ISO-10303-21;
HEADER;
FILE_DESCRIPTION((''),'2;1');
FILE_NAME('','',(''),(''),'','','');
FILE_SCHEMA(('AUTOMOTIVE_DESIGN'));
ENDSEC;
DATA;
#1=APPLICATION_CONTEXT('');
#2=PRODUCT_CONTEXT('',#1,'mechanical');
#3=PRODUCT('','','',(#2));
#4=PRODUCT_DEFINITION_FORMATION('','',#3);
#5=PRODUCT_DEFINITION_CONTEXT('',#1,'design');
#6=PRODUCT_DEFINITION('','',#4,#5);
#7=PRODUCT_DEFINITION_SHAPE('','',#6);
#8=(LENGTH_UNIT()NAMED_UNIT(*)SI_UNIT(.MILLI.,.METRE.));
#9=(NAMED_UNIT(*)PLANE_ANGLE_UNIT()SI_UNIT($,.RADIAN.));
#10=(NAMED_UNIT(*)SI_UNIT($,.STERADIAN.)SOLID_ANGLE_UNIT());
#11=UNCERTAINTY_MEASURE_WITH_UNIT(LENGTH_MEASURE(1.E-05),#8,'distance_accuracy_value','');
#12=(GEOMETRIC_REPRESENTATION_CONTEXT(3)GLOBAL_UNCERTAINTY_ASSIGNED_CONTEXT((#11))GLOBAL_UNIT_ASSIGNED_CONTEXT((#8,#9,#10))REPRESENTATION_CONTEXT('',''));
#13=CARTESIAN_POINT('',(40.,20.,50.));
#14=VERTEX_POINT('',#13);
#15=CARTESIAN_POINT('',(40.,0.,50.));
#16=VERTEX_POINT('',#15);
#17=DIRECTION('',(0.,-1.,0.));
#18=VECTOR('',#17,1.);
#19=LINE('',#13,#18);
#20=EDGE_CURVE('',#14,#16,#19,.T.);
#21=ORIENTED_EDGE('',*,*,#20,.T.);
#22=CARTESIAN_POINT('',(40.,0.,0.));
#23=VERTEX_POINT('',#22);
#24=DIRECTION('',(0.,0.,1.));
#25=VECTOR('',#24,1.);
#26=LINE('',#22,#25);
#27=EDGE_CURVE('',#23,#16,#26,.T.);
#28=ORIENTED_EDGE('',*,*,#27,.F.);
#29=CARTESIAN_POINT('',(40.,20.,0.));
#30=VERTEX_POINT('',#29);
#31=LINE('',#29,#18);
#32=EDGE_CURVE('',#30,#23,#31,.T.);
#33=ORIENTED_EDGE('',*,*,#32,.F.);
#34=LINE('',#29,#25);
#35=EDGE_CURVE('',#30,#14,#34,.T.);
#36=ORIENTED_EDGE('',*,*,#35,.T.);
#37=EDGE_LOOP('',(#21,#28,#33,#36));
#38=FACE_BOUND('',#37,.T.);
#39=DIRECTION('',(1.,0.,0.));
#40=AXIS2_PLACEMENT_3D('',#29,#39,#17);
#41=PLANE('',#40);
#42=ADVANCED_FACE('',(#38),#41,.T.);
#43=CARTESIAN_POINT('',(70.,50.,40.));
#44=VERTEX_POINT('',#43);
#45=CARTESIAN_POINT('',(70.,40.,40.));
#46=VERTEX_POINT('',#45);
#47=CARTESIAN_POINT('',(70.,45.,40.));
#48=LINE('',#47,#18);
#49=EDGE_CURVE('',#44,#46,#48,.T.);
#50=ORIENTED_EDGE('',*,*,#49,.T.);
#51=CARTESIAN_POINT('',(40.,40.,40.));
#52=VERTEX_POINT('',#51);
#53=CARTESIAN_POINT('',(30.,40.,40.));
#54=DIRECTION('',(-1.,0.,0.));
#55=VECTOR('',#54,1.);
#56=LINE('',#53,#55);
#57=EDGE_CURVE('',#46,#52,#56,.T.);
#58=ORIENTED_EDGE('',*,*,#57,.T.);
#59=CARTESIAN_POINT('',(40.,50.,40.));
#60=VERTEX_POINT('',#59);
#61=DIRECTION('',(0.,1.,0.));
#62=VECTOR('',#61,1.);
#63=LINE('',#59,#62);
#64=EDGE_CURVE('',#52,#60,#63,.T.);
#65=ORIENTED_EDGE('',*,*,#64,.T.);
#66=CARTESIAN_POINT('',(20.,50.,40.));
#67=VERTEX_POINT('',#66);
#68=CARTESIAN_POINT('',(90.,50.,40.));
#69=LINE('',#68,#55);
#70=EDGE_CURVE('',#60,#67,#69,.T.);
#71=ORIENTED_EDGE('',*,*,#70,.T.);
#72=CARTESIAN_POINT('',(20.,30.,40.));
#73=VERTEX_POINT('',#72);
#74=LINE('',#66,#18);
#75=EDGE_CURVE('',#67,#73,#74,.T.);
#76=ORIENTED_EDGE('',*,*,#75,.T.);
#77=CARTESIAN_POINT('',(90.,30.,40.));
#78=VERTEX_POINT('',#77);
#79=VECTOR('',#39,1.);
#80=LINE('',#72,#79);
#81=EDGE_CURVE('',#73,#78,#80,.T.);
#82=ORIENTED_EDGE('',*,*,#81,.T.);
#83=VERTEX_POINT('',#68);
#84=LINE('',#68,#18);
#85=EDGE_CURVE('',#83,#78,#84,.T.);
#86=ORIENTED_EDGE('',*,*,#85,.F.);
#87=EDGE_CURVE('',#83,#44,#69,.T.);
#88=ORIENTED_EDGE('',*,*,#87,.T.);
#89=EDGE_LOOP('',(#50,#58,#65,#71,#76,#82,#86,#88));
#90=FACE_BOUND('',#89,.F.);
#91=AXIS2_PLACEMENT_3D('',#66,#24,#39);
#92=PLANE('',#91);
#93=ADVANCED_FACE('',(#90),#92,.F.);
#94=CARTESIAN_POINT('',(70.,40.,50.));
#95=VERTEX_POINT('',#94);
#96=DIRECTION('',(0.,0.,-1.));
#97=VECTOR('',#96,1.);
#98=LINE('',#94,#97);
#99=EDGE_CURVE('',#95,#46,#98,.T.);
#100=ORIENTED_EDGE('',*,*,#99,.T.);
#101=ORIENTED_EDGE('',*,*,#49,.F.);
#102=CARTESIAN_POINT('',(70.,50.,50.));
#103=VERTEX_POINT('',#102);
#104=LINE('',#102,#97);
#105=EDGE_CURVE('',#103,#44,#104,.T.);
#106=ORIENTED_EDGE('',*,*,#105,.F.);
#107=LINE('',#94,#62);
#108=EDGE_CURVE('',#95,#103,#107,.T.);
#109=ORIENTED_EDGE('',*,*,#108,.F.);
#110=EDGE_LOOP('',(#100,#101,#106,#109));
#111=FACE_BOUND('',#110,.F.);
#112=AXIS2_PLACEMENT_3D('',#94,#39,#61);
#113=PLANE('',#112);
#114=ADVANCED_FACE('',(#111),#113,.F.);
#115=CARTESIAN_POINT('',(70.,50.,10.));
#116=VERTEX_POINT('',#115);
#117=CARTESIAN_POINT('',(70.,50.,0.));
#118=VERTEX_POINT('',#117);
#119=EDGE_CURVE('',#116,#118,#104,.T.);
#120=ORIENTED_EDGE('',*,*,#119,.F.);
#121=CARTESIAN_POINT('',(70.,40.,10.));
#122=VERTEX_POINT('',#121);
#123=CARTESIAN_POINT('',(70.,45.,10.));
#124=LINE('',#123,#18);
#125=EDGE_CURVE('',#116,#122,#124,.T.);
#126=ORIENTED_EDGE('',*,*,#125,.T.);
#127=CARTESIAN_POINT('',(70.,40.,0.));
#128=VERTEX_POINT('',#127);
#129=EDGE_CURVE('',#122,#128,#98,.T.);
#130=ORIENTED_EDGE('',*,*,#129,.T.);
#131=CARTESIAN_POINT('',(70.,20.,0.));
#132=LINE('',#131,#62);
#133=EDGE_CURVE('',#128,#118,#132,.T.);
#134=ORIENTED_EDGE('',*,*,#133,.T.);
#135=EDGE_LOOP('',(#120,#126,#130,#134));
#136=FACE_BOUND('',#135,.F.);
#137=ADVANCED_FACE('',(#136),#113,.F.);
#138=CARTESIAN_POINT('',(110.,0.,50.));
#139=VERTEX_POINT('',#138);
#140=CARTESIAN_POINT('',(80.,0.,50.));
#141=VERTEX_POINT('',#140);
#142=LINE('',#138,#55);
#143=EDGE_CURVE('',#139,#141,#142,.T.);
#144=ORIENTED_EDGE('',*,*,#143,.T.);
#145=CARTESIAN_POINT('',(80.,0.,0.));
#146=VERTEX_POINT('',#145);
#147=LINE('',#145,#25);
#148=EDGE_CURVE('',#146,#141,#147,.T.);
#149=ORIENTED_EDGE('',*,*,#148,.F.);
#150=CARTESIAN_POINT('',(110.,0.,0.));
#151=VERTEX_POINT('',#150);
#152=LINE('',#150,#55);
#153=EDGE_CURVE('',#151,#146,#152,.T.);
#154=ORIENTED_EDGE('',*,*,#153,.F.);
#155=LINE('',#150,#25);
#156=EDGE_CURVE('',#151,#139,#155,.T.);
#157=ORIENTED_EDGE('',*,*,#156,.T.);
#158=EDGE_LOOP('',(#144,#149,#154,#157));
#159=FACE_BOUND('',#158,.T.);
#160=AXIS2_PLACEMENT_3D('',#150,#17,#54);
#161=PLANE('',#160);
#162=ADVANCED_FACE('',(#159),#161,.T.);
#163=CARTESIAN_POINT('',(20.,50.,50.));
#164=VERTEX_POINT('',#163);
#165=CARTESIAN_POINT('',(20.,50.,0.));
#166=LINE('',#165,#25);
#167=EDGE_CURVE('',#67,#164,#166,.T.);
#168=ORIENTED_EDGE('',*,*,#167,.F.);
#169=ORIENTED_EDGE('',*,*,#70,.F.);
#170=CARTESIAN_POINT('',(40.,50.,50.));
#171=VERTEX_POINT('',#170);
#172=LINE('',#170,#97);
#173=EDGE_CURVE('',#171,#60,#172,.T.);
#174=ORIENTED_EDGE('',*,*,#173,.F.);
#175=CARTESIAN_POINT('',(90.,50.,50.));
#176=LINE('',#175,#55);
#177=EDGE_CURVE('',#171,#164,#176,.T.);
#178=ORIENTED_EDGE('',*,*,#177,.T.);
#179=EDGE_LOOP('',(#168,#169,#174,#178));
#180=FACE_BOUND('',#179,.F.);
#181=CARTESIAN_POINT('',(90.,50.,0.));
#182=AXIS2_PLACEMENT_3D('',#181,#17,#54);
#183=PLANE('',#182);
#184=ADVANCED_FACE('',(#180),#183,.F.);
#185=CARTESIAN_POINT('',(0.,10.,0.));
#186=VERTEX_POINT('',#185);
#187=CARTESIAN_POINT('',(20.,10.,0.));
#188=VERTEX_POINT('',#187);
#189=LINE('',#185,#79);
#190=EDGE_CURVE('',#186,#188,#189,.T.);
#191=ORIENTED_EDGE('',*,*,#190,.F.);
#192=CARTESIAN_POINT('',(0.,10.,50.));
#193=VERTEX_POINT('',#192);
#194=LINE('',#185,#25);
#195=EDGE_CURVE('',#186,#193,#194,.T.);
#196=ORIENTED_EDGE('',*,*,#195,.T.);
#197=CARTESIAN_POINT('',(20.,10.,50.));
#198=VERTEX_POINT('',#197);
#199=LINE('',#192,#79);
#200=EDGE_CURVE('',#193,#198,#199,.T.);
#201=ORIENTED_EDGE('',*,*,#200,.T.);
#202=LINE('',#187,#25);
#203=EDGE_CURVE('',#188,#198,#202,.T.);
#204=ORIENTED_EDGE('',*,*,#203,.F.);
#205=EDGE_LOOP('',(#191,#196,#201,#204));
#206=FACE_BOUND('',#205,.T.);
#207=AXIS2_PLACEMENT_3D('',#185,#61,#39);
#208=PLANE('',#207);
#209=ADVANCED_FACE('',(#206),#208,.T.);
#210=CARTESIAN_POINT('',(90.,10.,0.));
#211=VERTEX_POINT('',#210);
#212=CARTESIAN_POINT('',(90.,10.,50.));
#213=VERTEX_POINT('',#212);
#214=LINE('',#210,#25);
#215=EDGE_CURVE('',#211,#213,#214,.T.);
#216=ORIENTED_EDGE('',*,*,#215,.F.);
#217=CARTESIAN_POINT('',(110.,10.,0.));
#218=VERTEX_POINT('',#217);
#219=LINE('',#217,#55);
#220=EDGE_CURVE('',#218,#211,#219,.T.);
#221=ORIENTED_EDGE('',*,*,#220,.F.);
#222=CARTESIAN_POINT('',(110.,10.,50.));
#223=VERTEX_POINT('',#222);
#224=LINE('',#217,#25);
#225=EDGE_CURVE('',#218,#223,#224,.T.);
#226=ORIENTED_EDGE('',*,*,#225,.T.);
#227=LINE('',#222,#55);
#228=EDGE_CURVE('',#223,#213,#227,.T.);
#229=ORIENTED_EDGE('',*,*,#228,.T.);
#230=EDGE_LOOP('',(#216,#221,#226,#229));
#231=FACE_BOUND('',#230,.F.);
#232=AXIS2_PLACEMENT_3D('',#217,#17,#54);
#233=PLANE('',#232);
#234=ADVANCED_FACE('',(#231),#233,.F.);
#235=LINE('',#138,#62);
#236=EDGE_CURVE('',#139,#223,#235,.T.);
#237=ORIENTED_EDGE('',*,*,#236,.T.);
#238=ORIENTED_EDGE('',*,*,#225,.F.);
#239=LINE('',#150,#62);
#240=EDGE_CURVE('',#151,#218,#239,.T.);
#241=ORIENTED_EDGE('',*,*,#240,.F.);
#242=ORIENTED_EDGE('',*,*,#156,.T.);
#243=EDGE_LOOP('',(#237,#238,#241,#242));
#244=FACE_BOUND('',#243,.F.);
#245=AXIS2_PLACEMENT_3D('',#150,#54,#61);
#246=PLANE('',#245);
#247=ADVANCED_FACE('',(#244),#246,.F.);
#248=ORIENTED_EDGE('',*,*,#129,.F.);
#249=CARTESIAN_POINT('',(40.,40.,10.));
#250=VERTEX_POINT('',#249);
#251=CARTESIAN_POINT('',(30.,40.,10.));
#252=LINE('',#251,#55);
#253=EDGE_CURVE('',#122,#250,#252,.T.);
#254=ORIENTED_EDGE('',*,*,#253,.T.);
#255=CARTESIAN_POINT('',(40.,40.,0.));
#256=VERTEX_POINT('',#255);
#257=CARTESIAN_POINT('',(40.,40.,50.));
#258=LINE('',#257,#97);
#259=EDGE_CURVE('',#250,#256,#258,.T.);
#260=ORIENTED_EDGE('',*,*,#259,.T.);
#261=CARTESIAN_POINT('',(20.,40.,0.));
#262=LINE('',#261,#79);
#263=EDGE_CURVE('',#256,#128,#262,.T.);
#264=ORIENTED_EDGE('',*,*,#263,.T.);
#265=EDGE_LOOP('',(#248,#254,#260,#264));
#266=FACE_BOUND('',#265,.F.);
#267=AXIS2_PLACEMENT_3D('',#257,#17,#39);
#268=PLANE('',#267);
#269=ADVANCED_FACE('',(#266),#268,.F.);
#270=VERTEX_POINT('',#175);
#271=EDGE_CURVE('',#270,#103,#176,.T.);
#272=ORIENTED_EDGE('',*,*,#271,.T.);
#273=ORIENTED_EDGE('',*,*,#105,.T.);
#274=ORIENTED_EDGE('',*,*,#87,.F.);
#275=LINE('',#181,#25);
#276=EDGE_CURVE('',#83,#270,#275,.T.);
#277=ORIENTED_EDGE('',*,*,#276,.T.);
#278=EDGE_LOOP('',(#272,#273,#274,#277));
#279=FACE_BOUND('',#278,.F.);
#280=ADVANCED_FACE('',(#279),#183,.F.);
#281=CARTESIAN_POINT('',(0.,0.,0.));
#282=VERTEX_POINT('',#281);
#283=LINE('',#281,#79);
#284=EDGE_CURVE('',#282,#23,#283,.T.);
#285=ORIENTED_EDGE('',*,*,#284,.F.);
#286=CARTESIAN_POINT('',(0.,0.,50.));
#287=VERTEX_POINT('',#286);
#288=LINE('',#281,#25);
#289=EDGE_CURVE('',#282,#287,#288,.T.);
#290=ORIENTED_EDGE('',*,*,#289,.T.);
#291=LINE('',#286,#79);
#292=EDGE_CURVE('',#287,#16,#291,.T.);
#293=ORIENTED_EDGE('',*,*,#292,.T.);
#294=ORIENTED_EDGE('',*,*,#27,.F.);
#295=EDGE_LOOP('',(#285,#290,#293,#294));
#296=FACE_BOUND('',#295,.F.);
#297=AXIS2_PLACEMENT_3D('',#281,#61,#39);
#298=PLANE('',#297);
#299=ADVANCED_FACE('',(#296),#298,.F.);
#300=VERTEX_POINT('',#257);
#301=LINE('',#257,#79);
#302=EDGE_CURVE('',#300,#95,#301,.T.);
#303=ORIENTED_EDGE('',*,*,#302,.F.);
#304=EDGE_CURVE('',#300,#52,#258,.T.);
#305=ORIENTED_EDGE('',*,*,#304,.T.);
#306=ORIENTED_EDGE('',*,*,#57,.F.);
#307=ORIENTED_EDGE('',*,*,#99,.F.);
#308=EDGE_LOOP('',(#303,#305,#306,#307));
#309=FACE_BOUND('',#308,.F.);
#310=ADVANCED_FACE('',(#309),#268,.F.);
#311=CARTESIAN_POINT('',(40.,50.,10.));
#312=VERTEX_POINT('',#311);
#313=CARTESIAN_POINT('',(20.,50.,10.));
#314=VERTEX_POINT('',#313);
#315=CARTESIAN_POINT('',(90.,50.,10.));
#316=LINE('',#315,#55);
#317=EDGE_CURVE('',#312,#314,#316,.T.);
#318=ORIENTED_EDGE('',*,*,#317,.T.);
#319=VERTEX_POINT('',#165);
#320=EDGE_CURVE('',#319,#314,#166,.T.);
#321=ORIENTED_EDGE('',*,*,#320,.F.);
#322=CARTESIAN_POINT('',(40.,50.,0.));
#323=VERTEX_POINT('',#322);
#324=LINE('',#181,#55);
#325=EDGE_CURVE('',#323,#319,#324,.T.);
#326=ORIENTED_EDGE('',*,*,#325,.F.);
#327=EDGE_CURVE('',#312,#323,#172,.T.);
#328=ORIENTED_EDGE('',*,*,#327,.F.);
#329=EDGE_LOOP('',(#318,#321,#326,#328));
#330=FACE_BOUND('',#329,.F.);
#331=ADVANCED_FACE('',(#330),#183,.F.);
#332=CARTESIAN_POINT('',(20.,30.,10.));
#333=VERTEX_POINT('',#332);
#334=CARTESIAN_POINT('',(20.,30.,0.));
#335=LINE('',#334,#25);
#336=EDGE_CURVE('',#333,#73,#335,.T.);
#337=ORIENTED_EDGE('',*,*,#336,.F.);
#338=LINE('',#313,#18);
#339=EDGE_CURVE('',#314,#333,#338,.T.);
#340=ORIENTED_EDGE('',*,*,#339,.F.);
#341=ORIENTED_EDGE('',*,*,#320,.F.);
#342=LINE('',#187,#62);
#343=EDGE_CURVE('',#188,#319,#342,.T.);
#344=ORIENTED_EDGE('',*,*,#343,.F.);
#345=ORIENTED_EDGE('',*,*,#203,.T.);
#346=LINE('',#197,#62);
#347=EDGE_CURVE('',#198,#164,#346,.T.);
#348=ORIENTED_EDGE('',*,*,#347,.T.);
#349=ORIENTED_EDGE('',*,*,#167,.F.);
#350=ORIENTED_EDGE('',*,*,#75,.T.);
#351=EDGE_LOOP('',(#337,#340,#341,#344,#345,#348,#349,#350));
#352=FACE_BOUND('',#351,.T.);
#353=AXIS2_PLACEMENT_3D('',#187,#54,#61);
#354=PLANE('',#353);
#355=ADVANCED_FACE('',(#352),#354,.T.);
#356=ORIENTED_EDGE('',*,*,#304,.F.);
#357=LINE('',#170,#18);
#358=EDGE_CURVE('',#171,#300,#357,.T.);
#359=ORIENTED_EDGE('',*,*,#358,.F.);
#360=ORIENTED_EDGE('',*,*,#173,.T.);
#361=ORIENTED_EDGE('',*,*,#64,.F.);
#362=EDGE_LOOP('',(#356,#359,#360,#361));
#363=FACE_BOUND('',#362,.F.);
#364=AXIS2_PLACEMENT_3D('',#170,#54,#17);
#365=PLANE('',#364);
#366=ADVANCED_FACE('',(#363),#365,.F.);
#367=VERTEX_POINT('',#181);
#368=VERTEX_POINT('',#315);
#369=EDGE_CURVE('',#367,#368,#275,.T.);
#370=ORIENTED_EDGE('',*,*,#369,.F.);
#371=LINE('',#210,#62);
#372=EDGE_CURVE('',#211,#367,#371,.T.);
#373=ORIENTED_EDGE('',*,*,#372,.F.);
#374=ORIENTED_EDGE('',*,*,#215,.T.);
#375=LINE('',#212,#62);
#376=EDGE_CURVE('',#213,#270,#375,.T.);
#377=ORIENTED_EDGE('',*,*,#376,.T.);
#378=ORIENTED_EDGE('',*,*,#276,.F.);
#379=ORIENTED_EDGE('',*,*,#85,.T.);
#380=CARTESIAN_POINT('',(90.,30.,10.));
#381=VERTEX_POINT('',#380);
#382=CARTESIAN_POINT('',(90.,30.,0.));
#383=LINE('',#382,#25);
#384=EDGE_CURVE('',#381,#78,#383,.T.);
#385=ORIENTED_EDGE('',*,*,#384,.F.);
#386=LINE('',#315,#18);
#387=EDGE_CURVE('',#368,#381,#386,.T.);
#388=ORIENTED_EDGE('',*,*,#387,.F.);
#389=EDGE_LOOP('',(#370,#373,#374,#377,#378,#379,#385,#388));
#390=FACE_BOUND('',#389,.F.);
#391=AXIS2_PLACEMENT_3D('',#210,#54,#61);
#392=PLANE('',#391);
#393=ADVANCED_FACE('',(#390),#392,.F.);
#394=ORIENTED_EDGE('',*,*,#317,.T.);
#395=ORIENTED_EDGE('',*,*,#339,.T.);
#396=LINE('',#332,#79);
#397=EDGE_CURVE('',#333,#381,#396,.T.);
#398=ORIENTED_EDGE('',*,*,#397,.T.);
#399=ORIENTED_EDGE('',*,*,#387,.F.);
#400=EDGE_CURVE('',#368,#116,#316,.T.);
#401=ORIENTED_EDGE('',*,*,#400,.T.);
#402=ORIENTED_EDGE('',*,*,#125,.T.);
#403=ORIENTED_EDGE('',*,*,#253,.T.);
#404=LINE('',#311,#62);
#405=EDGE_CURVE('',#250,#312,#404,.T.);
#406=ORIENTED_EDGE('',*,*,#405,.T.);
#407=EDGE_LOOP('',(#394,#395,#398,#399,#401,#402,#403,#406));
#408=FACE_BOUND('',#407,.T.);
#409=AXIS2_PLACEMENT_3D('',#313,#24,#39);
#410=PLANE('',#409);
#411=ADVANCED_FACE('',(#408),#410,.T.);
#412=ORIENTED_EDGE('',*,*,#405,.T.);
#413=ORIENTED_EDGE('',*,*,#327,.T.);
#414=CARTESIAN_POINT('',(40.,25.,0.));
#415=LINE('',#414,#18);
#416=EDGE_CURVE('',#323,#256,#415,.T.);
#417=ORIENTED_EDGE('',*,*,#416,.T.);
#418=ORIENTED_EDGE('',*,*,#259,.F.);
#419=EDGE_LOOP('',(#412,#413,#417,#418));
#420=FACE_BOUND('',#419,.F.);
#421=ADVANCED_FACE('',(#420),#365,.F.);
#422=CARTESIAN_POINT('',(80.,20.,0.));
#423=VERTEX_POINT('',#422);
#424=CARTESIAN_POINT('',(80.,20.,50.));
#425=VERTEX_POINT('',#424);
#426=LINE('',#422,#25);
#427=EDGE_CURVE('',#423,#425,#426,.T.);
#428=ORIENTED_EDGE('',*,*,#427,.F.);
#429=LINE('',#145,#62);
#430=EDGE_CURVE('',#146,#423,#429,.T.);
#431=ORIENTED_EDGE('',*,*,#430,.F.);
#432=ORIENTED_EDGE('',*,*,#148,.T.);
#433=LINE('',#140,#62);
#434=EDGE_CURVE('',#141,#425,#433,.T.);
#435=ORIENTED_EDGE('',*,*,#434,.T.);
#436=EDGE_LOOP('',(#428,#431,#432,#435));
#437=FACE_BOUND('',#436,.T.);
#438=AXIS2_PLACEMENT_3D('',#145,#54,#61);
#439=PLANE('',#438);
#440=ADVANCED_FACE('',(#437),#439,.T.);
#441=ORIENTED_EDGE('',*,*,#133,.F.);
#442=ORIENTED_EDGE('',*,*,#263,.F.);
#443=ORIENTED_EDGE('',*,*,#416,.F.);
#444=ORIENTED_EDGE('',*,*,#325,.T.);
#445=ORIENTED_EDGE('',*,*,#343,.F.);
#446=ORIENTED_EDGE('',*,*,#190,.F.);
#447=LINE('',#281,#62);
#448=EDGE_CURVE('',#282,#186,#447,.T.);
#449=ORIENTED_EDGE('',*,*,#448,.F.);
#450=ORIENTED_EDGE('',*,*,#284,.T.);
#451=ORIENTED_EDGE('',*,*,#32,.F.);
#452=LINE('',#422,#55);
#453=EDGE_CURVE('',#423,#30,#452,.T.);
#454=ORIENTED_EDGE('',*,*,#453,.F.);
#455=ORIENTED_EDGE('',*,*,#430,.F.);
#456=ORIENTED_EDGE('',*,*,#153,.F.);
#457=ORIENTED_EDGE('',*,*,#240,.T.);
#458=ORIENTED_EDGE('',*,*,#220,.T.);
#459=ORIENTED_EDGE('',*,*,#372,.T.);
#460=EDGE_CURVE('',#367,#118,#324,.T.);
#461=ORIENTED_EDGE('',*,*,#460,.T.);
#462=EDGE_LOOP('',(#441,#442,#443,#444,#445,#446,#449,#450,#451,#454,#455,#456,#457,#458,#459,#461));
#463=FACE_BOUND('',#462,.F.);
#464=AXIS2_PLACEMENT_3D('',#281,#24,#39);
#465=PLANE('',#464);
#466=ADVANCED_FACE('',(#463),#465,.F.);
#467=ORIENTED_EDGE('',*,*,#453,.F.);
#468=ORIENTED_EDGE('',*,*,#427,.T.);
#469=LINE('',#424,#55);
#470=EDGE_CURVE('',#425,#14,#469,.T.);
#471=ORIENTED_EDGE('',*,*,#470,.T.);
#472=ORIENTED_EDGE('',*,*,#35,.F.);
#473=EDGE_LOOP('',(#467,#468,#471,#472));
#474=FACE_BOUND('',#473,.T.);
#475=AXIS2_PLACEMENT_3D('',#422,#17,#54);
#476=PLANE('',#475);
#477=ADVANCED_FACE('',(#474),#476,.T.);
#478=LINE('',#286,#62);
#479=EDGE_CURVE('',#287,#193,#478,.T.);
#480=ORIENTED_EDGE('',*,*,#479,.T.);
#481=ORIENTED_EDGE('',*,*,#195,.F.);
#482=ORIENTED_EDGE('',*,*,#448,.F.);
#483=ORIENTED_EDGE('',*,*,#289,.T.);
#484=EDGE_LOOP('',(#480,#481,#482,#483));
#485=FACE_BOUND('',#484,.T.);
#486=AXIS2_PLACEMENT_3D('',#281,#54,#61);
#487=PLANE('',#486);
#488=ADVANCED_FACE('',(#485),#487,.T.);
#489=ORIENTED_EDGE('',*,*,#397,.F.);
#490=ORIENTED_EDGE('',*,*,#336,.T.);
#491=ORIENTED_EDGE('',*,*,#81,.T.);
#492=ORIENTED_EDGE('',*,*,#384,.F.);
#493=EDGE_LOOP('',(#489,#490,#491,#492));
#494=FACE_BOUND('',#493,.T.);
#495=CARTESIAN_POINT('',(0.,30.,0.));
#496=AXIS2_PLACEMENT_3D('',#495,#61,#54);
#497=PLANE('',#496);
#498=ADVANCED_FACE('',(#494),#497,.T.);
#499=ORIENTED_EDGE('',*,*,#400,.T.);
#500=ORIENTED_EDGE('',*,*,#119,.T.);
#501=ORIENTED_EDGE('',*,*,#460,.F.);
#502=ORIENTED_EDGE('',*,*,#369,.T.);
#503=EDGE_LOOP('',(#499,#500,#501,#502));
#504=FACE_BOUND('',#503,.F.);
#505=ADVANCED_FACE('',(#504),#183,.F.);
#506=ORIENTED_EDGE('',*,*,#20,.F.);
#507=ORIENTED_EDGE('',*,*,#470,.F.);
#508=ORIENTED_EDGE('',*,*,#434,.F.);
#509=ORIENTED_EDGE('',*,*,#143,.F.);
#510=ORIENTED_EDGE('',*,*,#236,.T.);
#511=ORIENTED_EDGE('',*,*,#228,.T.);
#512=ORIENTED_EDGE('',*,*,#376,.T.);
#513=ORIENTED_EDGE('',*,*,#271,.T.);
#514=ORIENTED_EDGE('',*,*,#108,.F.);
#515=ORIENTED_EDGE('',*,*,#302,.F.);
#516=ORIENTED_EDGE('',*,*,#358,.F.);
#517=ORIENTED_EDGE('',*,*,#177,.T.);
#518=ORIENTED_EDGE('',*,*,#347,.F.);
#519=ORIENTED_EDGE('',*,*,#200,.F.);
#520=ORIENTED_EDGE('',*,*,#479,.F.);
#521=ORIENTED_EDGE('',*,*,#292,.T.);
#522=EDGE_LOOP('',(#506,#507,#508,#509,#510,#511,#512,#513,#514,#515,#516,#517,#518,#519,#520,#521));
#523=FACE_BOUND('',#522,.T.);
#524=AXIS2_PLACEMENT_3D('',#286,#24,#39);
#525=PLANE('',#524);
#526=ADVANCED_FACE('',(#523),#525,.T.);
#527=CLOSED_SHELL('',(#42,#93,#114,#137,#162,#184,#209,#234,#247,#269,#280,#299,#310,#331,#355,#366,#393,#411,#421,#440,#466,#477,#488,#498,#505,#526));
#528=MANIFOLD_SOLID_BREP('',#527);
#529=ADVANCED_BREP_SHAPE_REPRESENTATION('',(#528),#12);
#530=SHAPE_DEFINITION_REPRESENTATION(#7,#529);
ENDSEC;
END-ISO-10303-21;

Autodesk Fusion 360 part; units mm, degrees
sketch "Sketch1" plane through (0, 0, 0) normal (0, 0, 1) x (1, 0, 0)
  line L0 (110, 0) -> (80, 0)
  line L1 (80, 0) -> (80, 20)
  line L2 (80, 20) -> (40, 20)
  line L3 (40, 20) -> (40, 0)
  line L4 (0, 0) -> (40, 0)
  line L5 (80, 0) -> (110, 0)
  line L6 (110, 0) -> (110, 10)
  line L7 (110, 10) -> (90, 10)
  line L8 (90, 10) -> (90, 50)
  line L9 (90, 50) -> (20, 50)
  line L10 (0, 0) -> (0, 10)
  line L11 (0, 10) -> (20, 10)
  line L12 (20, 10) -> (20, 50)
  dimension "d1" = 110
  dimension "d2" = 30
  dimension "d3" = 20
  dimension "d4" = 40
  dimension "d5" = 10
  dimension "d6" = 20
  dimension "d7" = 70
  dimension "d8" = 10
  dimension "d9" = 20
extrude "Extrude1" add sketch "Sketch1" along normal blind 50
sketch "Sketch2" plane through (0, 0, 50) normal (0, 0, 1) x (1, 0, 0)
  line L0 (0, 0) -> (40, 0)
  line L1 (40, 0) -> (40, 20)
  line L2 (40, 20) -> (80, 20)
  line L3 (80, 20) -> (80, 0)
  line L4 (80, 0) -> (110, 0)
  line L5 (110, 0) -> (110, 10)
  line L6 (110, 10) -> (90, 10)
  line L7 (90, 10) -> (90, 50)
  line L8 (90, 50) -> (20, 50)
  line L9 (20, 50) -> (20, 10)
  line L10 (20, 10) -> (0, 10)
  line L11 (0, 10) -> (0, 0)
  line L12 (20, 50) -> (40, 50)
  line L13 (40, 50) -> (40, 40)
  line L14 (40, 40) -> (70, 40)
  line L15 (70, 40) -> (70, 50)
  line L16 (70, 50) -> (90, 50)
  dimension "d12" = 10
extrude "Extrude2" cut sketch "Sketch2" against normal blind 51 contours L8 L13 L14 L15
sketch "Sketch3" plane through (0, 50, 0) normal (0, 1, 0) x (-1, 0, 0)
  line L0 (-40, 50) -> (-40, 0)
  line L1 (-40, 0) -> (-20, 0)
  line L2 (-20, 0) -> (-20, 50)
  line L3 (-20, 50) -> (-40, 50)
  line L4 (-90, 0) -> (-90, 50)
  line L5 (-20, 40) -> (-90, 40)
  line L6 (-20, 10) -> (-90, 10)
  dimension "d15" = 10
  dimension "d16" = 10
extrude "Extrude3" cut sketch "Sketch3" against normal blind 20 contours L0 L2 L5 L6 | L0 L4 L5 L6
